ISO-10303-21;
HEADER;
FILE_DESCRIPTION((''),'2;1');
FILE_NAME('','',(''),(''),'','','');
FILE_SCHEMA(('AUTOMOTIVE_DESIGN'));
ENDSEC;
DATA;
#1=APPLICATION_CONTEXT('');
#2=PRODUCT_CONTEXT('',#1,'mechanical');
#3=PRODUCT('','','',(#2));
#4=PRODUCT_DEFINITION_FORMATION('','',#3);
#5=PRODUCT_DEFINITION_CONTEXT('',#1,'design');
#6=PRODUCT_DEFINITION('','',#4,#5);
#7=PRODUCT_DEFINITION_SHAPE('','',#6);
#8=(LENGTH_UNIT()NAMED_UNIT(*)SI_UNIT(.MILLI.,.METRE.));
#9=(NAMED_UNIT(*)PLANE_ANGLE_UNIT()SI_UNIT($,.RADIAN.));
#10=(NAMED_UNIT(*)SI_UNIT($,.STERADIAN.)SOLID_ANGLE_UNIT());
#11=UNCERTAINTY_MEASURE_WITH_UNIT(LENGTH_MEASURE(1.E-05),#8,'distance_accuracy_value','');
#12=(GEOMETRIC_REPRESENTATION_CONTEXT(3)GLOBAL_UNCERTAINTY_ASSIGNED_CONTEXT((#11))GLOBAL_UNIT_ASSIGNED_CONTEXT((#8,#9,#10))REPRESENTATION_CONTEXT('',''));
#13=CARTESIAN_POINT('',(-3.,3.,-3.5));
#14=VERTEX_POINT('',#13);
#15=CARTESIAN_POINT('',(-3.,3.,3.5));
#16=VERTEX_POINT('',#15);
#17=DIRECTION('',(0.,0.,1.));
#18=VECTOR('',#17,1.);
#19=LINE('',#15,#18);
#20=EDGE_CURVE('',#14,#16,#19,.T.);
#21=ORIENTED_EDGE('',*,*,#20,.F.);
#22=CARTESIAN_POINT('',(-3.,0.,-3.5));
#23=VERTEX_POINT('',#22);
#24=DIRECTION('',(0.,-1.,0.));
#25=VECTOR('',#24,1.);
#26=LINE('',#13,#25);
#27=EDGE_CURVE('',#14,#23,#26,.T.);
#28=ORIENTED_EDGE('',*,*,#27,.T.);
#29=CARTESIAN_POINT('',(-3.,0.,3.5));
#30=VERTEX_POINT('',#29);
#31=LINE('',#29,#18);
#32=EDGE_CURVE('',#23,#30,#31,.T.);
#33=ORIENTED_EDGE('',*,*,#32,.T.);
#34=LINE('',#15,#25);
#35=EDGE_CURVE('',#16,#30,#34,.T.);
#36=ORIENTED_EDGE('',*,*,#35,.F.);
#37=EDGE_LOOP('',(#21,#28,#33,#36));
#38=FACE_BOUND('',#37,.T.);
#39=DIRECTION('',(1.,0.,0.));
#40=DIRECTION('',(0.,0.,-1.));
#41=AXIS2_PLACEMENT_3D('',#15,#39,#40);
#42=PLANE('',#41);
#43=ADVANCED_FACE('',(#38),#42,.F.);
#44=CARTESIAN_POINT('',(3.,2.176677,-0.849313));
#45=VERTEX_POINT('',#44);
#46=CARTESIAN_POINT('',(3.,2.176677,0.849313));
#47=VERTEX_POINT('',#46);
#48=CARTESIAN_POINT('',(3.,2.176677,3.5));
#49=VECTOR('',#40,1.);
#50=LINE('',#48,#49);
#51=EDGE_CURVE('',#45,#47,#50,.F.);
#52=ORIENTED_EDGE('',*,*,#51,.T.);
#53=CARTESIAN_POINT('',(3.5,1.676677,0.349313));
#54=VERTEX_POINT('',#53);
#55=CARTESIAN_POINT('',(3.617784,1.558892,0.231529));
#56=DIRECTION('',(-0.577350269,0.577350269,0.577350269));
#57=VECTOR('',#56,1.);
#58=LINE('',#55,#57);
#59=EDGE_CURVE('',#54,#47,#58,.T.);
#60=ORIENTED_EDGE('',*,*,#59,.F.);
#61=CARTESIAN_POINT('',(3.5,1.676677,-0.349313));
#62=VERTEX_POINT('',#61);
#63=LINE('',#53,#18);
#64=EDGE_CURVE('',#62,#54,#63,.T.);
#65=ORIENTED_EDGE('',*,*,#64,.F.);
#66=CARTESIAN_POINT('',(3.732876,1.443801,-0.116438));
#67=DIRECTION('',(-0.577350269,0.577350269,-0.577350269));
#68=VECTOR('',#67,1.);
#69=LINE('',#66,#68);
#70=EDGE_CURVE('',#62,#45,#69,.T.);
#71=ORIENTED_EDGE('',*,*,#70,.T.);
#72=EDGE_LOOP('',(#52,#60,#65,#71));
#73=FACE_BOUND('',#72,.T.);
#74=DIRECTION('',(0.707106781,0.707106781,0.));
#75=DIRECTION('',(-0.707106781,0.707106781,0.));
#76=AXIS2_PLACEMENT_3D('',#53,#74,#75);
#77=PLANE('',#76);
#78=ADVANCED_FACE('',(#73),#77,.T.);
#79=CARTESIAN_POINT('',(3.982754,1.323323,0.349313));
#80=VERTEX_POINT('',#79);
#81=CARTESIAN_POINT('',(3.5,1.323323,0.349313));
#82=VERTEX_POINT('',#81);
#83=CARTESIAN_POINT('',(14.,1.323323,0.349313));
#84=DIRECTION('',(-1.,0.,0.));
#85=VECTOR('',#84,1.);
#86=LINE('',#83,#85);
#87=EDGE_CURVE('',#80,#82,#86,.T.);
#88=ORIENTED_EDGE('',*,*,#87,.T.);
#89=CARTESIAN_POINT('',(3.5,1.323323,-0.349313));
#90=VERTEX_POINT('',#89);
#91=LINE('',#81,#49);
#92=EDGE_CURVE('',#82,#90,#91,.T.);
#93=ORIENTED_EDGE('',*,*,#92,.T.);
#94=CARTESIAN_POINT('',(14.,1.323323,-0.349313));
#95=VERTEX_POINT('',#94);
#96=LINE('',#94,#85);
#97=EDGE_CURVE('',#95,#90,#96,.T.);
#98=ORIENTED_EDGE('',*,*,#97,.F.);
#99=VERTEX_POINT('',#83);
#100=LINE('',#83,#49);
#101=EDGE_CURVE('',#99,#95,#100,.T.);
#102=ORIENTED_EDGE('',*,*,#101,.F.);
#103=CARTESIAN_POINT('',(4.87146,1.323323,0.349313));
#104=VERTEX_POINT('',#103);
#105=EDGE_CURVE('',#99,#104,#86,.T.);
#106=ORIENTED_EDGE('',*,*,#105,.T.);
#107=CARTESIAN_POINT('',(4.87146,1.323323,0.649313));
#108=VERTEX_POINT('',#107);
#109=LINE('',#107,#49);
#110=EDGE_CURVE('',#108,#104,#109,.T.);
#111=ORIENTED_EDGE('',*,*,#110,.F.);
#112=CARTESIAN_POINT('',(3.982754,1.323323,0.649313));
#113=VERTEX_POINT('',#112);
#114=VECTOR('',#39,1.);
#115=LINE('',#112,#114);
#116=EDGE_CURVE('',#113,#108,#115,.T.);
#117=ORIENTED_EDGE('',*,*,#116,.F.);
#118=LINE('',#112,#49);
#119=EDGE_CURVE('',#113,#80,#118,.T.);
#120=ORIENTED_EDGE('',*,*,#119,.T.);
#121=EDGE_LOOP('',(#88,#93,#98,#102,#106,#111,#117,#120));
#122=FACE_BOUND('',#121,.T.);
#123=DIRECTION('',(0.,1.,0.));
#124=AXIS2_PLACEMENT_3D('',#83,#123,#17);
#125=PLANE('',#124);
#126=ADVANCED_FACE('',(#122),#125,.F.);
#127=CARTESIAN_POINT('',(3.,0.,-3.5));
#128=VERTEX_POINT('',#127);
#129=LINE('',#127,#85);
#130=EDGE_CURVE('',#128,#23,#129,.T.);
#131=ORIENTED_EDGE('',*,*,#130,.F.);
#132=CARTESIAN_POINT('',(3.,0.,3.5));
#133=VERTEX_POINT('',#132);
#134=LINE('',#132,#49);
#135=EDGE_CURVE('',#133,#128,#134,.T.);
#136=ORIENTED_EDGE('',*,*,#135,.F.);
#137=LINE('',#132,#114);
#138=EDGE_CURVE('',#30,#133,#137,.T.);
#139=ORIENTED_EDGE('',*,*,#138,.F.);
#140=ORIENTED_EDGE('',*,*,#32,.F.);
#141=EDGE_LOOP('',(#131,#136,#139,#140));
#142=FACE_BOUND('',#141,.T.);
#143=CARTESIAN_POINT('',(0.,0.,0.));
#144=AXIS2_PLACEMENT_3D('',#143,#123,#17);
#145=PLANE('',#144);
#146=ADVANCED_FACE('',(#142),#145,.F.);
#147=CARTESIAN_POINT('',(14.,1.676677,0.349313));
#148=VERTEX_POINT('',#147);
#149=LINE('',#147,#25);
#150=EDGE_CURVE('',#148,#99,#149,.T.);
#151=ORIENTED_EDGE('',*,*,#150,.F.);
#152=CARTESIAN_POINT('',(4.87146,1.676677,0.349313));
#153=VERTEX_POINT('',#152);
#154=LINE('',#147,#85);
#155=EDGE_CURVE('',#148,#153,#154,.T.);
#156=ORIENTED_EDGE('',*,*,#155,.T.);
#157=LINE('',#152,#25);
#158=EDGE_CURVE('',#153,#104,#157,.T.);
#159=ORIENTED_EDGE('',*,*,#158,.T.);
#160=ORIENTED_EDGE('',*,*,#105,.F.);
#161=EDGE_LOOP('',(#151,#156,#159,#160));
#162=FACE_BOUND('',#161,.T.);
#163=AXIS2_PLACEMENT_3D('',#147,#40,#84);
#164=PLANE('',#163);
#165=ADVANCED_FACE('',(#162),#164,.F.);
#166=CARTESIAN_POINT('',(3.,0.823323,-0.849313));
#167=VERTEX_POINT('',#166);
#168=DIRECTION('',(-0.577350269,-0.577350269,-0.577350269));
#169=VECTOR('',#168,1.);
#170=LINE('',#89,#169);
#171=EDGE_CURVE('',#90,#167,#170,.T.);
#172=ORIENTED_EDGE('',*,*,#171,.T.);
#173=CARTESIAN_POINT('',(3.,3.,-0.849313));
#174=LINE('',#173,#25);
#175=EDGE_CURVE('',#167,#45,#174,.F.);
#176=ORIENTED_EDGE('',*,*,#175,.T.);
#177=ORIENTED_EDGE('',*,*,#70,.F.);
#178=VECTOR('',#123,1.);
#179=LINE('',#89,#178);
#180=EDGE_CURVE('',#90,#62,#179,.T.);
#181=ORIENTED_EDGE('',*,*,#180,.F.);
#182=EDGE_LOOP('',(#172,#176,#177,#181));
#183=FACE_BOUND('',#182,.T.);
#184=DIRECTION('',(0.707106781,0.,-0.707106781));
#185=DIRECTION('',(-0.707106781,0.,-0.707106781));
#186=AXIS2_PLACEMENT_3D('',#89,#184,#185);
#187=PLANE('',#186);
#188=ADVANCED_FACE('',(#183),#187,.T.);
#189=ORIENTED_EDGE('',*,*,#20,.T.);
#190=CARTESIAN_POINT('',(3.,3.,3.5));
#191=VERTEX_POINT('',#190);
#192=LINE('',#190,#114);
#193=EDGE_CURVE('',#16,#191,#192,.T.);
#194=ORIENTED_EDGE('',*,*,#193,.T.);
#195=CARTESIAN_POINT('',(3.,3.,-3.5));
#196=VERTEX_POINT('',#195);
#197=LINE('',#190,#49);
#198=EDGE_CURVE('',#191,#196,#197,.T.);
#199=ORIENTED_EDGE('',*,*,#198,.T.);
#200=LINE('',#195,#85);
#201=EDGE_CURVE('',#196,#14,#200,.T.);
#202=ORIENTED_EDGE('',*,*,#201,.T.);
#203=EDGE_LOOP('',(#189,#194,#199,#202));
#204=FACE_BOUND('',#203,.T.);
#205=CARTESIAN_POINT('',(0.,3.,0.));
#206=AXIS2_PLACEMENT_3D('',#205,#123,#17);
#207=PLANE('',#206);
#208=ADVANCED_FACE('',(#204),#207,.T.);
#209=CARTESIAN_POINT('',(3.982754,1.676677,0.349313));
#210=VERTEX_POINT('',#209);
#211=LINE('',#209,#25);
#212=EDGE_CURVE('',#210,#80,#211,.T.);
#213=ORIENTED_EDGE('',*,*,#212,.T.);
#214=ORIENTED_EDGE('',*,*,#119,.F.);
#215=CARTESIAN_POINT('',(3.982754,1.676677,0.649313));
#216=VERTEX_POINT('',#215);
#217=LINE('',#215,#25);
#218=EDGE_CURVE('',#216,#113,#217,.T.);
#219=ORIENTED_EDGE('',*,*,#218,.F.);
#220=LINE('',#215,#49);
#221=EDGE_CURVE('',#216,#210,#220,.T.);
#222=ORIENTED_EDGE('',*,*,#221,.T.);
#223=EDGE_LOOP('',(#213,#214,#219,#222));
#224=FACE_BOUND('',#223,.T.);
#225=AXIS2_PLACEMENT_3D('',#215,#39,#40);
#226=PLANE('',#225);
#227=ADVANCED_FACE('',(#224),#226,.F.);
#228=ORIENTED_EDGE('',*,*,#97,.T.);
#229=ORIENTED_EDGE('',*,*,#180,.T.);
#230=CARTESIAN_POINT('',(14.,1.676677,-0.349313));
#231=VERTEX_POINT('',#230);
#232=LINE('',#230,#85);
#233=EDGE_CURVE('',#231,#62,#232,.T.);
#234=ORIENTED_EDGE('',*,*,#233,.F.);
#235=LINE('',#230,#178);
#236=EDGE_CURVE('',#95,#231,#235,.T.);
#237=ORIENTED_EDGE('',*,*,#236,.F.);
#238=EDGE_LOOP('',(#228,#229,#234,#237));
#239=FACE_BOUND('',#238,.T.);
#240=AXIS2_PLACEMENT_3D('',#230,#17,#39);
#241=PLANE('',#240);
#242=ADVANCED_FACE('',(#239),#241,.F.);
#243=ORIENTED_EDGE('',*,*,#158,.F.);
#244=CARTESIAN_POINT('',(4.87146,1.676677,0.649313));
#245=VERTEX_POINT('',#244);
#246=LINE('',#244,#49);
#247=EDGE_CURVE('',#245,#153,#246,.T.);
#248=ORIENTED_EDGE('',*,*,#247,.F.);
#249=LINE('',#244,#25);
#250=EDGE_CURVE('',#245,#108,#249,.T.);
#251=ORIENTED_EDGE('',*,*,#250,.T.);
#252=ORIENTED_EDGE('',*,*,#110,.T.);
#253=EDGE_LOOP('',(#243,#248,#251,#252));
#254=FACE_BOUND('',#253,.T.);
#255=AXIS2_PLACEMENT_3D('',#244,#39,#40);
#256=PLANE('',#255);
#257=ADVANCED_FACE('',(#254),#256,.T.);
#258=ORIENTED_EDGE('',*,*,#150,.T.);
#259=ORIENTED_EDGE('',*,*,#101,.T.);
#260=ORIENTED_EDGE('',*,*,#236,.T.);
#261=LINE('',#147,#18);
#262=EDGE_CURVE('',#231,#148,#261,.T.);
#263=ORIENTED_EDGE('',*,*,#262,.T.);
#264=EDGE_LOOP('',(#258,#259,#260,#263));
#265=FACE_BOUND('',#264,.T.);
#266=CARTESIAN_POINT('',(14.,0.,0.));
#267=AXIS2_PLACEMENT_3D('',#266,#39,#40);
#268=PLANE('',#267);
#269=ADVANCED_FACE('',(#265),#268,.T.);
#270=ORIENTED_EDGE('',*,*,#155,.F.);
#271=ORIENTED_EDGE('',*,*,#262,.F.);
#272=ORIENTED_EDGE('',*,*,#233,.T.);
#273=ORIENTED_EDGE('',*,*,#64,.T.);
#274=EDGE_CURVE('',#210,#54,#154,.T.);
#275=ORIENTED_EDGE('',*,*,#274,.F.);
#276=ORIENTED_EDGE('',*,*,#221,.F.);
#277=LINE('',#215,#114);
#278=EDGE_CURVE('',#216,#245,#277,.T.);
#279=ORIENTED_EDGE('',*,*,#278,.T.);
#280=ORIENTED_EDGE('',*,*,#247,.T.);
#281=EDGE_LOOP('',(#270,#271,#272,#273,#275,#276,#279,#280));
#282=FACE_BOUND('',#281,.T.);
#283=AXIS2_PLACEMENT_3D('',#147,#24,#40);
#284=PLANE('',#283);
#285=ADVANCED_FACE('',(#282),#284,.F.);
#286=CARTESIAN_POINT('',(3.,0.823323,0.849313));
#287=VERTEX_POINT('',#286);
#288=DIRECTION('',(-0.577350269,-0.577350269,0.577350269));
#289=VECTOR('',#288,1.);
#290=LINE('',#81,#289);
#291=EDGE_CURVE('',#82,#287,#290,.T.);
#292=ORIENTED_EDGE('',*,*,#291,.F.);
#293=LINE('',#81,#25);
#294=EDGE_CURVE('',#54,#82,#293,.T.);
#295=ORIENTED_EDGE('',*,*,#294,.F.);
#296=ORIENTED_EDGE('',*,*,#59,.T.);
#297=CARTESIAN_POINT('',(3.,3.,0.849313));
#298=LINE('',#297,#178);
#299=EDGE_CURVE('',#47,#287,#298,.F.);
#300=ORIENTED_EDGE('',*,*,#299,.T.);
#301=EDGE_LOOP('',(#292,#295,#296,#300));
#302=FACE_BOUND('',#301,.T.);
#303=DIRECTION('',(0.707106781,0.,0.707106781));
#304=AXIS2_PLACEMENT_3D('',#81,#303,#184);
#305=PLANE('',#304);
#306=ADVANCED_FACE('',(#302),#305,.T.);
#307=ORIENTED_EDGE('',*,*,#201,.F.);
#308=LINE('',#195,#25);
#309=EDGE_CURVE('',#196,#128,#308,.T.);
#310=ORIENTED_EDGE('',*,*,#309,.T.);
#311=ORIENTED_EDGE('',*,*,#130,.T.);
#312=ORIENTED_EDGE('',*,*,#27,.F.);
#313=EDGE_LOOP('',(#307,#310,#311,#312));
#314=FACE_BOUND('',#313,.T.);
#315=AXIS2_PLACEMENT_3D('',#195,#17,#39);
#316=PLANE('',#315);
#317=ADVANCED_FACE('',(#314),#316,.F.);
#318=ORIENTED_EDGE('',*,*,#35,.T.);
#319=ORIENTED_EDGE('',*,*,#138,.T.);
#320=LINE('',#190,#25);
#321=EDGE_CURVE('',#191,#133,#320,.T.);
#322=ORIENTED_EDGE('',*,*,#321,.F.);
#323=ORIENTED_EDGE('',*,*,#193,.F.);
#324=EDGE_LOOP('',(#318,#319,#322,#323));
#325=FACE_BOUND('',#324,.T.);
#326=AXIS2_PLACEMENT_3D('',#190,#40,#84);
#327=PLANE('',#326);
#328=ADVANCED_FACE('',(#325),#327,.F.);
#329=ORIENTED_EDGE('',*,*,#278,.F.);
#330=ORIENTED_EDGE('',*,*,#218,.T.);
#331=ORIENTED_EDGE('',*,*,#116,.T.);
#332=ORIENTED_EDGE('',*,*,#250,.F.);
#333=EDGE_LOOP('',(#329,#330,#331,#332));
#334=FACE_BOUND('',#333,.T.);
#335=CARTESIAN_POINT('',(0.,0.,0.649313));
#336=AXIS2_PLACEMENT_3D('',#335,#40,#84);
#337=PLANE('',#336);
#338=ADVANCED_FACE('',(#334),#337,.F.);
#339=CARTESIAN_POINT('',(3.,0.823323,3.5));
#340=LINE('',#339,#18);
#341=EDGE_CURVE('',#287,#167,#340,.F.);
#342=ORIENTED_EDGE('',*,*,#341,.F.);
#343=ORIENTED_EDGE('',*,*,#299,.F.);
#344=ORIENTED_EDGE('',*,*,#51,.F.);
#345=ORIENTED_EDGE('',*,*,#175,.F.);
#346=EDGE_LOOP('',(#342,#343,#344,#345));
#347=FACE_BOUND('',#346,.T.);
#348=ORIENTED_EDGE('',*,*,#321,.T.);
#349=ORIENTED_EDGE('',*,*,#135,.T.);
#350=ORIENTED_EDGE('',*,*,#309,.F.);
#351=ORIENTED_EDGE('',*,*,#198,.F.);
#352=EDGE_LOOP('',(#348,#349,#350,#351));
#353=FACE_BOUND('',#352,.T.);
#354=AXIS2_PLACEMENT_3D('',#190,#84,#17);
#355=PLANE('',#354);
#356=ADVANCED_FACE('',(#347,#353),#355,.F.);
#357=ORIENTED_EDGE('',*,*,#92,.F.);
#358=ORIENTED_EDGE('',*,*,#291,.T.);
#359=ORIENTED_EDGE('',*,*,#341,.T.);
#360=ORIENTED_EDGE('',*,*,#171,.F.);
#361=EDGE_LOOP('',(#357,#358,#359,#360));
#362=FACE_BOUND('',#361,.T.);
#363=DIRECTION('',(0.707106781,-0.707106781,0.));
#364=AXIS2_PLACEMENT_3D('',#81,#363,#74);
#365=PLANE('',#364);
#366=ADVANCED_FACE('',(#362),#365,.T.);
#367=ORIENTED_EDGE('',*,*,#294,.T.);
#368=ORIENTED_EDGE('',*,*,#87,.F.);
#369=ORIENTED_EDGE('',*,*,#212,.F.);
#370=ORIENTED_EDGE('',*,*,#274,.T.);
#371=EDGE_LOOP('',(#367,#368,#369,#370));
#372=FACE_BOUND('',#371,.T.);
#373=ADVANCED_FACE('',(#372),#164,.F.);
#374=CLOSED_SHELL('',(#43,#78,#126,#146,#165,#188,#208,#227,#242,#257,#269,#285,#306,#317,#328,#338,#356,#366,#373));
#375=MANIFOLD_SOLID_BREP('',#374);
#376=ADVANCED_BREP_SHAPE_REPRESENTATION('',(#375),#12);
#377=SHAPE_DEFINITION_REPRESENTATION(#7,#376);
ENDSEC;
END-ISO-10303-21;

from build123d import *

# Parameters (mm, degrees)
SKETCH1_W           = 6
SKETCH1_H           = 7
BOSS_EXTRUDE1_DEPTH = 3
SKETCH5_W           = 0.698626826
SKETCH5_H           = 0.353353156
BOSS_EXTRUDE3_DEPTH = 0.5
DRAFT1_ANGLE        = 45
SKETCH6_W           = 0.698626826
SKETCH6_H           = 0.353353156
BOSS_EXTRUDE4_DEPTH = 10.5
SKETCH9_W           = 0.888706469
SKETCH9_H           = 0.353353156
BOSS_EXTRUDE5_DEPTH = 0.3


with BuildPart() as part:
    # Sketch1 → Boss-Extrude1 (new body)
    with BuildSketch(Plane(origin=(0, 0, 0), x_dir=(1, 0, 0), z_dir=(0, 1, 0))):
        Rectangle(SKETCH1_W, SKETCH1_H)
    extrude(amount=BOSS_EXTRUDE1_DEPTH)

    # Sketch5 → Boss-Extrude3 (add)
    with BuildSketch(Plane(origin=(3, 0, 0), x_dir=(0, 0, -1), z_dir=(1, 0, 0))):
        with Locations((0, 1.5)):
            Rectangle(SKETCH5_W, SKETCH5_H)
    extrude(amount=BOSS_EXTRUDE3_DEPTH)

    # Draft1
    draft1_faces = [part.faces().sort_by_distance(p)[0] for p in [
        (3.25, 1.323323422, 0),
        (3.25, 1.5, 0.349313413),
        (3.25, 1.676676578, 0),
        (3.25, 1.5, -0.349313413),
    ]]
    draft(draft1_faces, Plane(origin=(3.5, 0, 0), x_dir=(0, 0, 1), z_dir=(1, 0, 0)), DRAFT1_ANGLE)

    # Sketch6 → Boss-Extrude4 (add)
    with BuildSketch(Plane(origin=(3.5, 0, 0), x_dir=(0, 0, -1), z_dir=(1, 0, 0))):
        with Locations((0, 1.5)):
            Rectangle(SKETCH6_W, SKETCH6_H)
    extrude(amount=BOSS_EXTRUDE4_DEPTH)

    # Sketch9 → Boss-Extrude5 (add)
    with BuildSketch(Plane.XY.offset(0.349313413)):
        with Locations((4.427106984, 1.5)):
            Rectangle(SKETCH9_W, SKETCH9_H)
    extrude(amount=BOSS_EXTRUDE5_DEPTH)


solid = part.part
